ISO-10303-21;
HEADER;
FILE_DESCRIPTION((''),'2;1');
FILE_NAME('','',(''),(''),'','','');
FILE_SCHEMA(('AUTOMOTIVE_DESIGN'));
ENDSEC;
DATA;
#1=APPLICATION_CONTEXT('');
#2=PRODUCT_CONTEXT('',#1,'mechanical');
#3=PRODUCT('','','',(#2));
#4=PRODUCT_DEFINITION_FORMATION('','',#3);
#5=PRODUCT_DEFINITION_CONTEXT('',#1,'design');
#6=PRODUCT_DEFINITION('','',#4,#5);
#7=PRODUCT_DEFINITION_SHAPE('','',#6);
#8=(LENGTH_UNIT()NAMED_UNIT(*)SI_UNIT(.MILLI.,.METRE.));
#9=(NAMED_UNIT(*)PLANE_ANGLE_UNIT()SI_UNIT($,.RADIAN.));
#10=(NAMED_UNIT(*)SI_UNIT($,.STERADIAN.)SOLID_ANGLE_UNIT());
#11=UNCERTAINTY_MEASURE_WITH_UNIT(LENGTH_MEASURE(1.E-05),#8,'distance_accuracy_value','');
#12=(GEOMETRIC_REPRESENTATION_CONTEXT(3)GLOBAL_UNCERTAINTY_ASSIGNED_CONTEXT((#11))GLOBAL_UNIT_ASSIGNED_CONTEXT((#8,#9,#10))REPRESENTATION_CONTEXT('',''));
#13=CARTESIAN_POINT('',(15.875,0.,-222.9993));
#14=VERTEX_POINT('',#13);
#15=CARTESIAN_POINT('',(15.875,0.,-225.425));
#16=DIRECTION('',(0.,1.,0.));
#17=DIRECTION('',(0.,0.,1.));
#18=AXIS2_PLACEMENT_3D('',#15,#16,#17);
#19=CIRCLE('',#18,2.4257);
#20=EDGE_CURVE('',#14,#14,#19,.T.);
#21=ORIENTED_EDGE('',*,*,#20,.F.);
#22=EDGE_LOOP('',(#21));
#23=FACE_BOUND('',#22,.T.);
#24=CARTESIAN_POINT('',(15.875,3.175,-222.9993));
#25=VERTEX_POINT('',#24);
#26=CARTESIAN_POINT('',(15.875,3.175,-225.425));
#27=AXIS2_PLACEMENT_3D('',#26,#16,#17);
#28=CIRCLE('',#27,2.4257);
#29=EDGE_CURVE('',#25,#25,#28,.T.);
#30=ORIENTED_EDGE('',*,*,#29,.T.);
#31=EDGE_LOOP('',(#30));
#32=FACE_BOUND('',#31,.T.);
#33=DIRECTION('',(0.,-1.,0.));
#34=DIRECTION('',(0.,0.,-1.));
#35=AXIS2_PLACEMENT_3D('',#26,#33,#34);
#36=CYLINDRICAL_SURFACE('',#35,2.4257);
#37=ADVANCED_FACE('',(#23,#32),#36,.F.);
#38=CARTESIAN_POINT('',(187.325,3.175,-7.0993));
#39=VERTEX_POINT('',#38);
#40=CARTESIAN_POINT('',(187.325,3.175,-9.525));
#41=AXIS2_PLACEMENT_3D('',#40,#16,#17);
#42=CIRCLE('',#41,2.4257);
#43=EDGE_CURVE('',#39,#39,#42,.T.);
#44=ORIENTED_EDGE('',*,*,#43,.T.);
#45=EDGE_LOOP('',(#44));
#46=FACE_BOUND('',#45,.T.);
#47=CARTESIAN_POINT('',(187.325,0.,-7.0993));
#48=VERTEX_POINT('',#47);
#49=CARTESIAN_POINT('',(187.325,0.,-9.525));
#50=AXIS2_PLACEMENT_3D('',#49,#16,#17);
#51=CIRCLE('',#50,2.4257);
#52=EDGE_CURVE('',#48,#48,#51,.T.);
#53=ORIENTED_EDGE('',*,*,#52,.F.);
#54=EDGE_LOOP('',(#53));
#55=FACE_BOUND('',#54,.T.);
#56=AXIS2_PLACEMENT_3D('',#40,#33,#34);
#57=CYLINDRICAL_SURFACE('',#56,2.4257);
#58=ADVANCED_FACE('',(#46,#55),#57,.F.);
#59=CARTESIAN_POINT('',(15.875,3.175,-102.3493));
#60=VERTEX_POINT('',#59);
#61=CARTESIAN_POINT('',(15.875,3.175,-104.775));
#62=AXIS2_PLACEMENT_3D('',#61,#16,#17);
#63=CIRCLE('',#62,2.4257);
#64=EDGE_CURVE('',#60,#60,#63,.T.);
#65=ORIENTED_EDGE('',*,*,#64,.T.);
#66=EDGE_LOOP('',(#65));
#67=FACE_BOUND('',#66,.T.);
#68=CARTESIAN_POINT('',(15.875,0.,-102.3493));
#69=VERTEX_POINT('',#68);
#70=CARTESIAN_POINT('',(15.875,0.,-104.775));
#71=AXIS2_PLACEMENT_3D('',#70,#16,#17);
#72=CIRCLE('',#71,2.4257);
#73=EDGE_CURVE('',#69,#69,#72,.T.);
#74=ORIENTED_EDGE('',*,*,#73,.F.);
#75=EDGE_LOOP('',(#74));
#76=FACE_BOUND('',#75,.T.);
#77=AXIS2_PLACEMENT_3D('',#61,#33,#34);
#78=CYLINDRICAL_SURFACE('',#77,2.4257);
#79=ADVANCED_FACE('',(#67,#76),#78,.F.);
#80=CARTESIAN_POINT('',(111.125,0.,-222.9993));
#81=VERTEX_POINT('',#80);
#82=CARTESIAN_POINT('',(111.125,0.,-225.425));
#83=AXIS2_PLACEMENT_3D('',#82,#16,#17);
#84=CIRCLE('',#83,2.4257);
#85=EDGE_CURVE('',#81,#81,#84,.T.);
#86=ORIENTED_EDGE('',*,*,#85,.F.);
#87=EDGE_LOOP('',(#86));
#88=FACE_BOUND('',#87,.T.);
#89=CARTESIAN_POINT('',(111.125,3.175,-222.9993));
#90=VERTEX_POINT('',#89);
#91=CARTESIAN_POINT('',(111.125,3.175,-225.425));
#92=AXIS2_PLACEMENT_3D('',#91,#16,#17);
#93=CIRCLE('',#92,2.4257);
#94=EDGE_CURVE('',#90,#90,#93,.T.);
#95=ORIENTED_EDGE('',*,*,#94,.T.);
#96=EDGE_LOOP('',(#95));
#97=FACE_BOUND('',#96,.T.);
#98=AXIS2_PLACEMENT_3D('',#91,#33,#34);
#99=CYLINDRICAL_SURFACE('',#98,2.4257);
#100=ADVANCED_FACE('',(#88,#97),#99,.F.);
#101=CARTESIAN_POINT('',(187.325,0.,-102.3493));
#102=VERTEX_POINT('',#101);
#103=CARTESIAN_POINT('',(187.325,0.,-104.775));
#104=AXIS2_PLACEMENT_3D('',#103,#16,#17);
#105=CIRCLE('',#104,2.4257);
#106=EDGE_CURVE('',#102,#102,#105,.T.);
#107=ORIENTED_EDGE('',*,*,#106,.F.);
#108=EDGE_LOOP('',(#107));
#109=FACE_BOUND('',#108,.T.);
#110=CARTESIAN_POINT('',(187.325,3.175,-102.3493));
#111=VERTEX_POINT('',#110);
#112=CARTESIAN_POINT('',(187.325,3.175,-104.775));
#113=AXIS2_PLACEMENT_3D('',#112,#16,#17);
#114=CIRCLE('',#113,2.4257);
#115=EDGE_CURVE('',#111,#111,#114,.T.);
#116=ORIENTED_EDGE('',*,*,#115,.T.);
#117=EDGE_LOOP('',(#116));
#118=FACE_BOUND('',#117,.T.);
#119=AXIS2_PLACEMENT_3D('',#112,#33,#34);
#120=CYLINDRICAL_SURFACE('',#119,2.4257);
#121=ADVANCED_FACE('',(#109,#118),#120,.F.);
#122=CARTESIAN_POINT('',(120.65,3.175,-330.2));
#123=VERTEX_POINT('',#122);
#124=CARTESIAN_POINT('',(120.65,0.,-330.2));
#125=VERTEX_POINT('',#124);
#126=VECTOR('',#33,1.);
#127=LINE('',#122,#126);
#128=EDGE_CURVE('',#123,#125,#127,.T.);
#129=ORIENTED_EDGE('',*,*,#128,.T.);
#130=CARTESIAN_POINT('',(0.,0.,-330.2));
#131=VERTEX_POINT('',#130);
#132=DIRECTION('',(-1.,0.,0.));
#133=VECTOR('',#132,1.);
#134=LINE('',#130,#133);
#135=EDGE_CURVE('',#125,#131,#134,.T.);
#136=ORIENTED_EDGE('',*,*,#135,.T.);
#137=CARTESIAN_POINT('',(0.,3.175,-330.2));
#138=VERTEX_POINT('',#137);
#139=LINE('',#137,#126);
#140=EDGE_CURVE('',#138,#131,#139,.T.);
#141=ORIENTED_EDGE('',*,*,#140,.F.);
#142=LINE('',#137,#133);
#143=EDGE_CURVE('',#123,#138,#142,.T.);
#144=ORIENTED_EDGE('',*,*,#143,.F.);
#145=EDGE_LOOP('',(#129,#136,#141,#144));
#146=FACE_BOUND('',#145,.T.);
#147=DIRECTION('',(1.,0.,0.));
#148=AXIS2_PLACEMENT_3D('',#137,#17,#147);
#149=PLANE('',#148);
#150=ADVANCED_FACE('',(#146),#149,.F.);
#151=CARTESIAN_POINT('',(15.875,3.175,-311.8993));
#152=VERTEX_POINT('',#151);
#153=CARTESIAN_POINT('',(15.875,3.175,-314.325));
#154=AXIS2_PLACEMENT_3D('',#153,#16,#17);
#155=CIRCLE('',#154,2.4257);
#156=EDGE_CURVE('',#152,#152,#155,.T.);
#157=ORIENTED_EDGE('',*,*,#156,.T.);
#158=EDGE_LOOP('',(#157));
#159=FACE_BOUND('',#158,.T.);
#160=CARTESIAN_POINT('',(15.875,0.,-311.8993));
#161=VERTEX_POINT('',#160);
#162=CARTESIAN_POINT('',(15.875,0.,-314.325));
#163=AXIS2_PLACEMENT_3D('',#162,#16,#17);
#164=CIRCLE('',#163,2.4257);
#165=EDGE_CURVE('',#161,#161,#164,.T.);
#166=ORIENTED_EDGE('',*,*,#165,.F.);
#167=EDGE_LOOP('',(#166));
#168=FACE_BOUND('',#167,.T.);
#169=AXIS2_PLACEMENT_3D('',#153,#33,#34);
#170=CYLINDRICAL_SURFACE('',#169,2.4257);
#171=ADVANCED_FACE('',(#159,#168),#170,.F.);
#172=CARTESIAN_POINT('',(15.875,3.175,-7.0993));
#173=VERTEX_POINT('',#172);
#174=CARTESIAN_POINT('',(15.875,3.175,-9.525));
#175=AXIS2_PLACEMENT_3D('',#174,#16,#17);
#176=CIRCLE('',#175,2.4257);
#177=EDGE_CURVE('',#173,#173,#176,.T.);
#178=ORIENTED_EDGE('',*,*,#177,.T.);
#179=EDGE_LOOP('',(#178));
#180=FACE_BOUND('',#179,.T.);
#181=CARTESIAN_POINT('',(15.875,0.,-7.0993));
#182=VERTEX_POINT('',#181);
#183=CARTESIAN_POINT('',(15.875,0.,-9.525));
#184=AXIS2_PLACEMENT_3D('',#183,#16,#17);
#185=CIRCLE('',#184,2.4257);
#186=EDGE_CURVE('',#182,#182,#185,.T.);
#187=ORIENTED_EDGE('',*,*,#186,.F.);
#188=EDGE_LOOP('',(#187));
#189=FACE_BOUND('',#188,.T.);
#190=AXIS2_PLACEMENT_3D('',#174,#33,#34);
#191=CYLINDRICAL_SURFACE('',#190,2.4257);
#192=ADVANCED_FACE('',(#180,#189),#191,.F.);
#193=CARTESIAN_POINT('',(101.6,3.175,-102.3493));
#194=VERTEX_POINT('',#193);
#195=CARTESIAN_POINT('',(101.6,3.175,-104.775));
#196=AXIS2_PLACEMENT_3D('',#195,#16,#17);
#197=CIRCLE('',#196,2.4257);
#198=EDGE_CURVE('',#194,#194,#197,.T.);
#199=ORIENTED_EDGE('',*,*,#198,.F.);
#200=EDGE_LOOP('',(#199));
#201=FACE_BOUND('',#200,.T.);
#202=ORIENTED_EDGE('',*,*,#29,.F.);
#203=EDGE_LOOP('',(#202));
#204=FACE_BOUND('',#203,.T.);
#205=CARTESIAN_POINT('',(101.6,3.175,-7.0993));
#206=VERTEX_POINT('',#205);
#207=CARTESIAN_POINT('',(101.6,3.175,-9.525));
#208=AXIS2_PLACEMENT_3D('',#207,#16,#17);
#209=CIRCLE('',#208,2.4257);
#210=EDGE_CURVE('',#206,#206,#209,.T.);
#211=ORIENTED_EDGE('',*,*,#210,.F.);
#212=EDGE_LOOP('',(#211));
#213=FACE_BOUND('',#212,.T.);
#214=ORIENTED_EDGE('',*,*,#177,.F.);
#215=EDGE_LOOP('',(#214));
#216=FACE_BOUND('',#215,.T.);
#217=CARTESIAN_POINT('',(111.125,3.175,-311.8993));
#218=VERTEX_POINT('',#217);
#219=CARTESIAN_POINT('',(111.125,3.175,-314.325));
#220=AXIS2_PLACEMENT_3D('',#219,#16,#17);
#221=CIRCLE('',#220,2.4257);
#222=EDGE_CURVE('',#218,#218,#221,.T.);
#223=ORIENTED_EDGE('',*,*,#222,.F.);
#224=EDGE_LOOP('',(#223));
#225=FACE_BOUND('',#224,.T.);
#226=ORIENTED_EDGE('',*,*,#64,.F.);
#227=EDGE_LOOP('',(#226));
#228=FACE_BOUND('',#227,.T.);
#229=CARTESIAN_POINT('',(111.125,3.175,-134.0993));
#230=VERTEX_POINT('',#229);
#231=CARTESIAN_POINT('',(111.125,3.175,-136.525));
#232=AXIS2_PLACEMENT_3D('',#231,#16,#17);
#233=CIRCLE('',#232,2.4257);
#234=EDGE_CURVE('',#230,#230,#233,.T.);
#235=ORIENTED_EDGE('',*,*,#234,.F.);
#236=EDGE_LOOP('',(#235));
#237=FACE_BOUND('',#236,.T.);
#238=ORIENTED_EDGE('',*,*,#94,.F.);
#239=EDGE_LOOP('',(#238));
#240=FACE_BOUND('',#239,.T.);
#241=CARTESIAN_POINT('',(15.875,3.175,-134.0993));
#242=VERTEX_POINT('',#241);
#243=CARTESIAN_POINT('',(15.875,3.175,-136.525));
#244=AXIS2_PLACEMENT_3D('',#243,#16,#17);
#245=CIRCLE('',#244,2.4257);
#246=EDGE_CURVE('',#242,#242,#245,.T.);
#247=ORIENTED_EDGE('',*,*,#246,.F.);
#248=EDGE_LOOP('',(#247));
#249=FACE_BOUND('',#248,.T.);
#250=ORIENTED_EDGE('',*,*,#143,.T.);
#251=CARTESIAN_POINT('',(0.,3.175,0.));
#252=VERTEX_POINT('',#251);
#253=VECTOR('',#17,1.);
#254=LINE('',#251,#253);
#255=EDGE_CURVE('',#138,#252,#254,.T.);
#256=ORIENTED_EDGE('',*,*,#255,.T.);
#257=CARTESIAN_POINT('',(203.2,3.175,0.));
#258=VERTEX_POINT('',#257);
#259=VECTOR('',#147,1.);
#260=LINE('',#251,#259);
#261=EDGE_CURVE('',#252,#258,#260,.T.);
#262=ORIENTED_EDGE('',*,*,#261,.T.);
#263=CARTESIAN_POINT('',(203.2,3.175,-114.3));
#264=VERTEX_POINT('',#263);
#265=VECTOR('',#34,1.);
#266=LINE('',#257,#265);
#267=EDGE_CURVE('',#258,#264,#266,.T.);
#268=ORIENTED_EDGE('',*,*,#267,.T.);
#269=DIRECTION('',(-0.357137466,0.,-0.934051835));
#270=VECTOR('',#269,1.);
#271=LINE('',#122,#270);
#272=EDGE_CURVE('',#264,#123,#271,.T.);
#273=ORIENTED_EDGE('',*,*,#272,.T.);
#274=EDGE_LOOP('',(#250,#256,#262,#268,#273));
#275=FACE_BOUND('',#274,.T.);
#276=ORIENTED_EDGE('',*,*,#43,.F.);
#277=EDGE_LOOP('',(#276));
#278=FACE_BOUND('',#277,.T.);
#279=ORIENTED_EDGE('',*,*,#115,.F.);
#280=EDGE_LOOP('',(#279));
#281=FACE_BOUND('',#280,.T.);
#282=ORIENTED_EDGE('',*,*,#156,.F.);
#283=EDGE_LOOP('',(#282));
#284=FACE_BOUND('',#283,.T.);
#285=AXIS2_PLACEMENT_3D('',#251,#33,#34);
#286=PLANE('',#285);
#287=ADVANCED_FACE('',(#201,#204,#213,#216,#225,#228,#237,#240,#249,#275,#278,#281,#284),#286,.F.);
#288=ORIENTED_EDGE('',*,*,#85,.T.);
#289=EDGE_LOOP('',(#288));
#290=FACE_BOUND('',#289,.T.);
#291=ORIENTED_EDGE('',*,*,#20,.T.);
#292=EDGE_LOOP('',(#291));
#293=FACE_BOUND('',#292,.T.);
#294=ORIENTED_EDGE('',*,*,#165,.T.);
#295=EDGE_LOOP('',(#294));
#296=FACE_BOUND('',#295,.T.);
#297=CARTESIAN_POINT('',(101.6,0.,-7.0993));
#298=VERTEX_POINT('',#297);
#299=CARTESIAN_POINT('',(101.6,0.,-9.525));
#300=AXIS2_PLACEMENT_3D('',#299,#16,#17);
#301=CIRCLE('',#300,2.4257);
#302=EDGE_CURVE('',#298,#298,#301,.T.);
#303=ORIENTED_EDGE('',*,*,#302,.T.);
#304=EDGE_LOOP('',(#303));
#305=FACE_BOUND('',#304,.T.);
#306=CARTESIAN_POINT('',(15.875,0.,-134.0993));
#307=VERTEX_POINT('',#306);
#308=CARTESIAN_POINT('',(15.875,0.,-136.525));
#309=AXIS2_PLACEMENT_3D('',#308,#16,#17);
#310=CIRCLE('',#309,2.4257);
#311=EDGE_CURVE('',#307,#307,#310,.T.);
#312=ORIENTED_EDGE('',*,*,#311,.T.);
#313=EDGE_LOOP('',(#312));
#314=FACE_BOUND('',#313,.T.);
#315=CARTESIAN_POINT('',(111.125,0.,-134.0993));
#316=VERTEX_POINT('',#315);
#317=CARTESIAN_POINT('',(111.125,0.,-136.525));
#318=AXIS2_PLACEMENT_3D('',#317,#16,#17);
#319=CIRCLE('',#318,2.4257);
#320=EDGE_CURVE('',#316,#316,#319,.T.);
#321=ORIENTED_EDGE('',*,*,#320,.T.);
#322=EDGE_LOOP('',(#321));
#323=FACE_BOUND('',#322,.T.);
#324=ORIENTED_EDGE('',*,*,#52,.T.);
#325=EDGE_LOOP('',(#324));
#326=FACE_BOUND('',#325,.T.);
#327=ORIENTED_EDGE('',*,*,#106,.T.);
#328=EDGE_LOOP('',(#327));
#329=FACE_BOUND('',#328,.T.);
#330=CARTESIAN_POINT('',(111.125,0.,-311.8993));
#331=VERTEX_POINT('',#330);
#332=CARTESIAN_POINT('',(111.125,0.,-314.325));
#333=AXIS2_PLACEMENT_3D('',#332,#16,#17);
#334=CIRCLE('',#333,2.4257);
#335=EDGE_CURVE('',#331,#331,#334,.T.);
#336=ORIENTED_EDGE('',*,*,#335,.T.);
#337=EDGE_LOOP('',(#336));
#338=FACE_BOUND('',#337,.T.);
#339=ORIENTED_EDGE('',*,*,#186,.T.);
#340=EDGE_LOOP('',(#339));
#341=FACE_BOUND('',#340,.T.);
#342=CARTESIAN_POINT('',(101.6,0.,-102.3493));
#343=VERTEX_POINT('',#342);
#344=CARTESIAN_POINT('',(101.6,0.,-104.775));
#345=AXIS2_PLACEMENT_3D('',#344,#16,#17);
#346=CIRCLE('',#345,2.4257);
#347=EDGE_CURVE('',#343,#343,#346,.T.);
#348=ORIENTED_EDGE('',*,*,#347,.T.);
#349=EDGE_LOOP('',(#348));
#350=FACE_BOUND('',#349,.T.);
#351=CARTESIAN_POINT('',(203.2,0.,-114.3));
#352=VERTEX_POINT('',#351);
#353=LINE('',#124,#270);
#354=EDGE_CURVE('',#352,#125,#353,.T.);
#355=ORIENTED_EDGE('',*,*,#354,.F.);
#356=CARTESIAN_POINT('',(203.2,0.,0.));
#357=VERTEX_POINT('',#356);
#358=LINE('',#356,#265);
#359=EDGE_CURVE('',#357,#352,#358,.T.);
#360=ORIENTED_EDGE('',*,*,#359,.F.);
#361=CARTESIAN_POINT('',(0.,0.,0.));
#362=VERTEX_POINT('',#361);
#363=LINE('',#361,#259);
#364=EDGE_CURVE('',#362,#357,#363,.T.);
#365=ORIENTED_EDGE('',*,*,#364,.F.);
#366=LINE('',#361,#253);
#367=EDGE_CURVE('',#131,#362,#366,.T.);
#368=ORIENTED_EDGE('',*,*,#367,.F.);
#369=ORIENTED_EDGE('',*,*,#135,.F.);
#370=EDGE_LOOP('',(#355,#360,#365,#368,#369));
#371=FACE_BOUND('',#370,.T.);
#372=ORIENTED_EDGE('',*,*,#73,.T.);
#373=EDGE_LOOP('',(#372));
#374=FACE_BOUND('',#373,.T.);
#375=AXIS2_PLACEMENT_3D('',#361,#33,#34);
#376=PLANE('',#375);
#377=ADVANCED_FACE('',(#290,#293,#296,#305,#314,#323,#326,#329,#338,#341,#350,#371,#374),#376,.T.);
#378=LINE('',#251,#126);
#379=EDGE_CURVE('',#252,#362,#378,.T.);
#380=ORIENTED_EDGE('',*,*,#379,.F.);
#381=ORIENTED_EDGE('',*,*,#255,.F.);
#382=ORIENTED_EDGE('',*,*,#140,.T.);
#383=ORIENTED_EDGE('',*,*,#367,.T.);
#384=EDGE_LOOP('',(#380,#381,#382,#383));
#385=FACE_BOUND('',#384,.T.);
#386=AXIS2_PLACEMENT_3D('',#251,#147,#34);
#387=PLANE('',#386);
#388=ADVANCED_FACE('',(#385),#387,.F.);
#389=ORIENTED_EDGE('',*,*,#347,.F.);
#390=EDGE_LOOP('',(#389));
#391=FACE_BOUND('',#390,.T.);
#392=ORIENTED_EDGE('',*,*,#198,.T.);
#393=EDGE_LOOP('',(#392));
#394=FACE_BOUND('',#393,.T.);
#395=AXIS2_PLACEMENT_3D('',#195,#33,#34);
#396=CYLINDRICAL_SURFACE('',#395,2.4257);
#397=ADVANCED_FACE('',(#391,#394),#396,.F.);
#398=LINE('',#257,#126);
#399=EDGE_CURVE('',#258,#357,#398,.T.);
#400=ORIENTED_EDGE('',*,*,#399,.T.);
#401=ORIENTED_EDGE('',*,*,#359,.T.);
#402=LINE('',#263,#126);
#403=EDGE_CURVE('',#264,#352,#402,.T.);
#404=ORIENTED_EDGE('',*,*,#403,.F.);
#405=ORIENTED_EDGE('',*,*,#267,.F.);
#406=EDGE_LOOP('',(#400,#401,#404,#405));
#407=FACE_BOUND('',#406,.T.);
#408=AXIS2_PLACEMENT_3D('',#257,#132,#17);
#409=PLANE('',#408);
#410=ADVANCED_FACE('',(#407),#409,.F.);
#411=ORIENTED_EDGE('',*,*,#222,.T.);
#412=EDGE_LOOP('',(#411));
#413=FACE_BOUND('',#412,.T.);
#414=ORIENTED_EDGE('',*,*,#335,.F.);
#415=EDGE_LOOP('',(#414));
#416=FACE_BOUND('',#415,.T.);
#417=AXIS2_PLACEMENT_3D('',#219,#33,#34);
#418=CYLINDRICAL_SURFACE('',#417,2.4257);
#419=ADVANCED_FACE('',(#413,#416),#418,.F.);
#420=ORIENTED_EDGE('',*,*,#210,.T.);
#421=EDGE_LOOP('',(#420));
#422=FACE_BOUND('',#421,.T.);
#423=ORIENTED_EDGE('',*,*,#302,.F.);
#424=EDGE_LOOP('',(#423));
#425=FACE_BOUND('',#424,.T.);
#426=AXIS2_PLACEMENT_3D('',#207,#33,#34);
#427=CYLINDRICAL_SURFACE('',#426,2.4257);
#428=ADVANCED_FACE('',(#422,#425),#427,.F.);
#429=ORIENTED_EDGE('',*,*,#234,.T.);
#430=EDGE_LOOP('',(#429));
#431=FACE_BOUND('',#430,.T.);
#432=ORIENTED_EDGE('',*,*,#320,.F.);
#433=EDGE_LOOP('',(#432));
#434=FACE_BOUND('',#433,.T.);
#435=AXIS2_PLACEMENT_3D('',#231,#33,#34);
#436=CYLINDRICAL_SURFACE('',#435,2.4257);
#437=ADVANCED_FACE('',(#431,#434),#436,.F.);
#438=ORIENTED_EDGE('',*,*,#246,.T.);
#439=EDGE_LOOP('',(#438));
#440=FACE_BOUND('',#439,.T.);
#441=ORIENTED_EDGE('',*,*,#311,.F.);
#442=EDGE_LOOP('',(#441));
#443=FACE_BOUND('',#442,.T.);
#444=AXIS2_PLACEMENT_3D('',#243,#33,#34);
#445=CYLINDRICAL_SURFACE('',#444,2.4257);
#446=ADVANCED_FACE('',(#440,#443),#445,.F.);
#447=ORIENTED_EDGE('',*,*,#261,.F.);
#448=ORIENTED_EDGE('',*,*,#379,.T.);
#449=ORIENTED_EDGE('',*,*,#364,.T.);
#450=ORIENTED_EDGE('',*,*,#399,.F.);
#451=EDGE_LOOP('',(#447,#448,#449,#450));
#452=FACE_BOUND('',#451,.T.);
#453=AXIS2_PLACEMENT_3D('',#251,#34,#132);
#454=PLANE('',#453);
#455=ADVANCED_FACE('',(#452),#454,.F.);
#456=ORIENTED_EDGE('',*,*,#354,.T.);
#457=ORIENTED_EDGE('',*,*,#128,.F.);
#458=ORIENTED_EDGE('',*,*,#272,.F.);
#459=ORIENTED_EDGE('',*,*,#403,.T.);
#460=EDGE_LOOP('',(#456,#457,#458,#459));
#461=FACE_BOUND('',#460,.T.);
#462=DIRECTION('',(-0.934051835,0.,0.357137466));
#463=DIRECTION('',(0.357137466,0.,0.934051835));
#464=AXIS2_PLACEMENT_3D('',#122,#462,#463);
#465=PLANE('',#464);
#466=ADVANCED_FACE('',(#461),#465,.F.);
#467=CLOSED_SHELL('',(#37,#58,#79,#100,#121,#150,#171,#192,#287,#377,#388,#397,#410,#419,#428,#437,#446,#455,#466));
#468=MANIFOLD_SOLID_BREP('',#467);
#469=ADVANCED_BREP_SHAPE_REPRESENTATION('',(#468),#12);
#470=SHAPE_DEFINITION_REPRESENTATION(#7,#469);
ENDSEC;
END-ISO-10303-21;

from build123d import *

# Parameters (mm, degrees)
SKETCH1_R           = 2.4257
BOSS_EXTRUDE1_DEPTH = 3.175


with BuildPart() as part:
    # Sketch1 → Boss-Extrude1 (new body)
    with BuildSketch(Plane(origin=(0, 0, 0), x_dir=(1, 0, 0), z_dir=(0, 1, 0))):
        Polygon((0, 0), (203.2, 0), (203.2, 114.3), (120.65, 330.2), (0, 330.2), align=None)
        with Locations(Location((15.875, 9.525, 0), (0, 0, 270))):
            Circle(SKETCH1_R, mode=Mode.SUBTRACT)
        with Locations(Location((101.6, 9.525, 0), (0, 0, 270))):
            Circle(SKETCH1_R, mode=Mode.SUBTRACT)
        with Locations(Location((187.325, 9.525, 0), (0, 0, 270))):
            Circle(SKETCH1_R, mode=Mode.SUBTRACT)
        with Locations(Location((15.875, 104.775, 0), (0, 0, 270))):
            Circle(SKETCH1_R, mode=Mode.SUBTRACT)
        with Locations(Location((187.325, 104.775, 0), (0, 0, 270))):
            Circle(SKETCH1_R, mode=Mode.SUBTRACT)
        with Locations(Location((101.6, 104.775, 0), (0, 0, 270))):
            Circle(SKETCH1_R, mode=Mode.SUBTRACT)
        with Locations(Location((15.875, 136.525, 0), (0, 0, 270))):
            Circle(SKETCH1_R, mode=Mode.SUBTRACT)
        with Locations(Location((111.125, 136.525, 0), (0, 0, 270))):
            Circle(SKETCH1_R, mode=Mode.SUBTRACT)
        with Locations(Location((15.875, 225.425, 0), (0, 0, 270))):
            Circle(SKETCH1_R, mode=Mode.SUBTRACT)
        with Locations(Location((15.875, 314.325, 0), (0, 0, 270))):
            Circle(SKETCH1_R, mode=Mode.SUBTRACT)
        with Locations(Location((111.125, 225.425, 0), (0, 0, 270))):
            Circle(SKETCH1_R, mode=Mode.SUBTRACT)
        with Locations(Location((111.125, 314.325, 0), (0, 0, 270))):
            Circle(SKETCH1_R, mode=Mode.SUBTRACT)
    extrude(amount=BOSS_EXTRUDE1_DEPTH)


solid = part.part
